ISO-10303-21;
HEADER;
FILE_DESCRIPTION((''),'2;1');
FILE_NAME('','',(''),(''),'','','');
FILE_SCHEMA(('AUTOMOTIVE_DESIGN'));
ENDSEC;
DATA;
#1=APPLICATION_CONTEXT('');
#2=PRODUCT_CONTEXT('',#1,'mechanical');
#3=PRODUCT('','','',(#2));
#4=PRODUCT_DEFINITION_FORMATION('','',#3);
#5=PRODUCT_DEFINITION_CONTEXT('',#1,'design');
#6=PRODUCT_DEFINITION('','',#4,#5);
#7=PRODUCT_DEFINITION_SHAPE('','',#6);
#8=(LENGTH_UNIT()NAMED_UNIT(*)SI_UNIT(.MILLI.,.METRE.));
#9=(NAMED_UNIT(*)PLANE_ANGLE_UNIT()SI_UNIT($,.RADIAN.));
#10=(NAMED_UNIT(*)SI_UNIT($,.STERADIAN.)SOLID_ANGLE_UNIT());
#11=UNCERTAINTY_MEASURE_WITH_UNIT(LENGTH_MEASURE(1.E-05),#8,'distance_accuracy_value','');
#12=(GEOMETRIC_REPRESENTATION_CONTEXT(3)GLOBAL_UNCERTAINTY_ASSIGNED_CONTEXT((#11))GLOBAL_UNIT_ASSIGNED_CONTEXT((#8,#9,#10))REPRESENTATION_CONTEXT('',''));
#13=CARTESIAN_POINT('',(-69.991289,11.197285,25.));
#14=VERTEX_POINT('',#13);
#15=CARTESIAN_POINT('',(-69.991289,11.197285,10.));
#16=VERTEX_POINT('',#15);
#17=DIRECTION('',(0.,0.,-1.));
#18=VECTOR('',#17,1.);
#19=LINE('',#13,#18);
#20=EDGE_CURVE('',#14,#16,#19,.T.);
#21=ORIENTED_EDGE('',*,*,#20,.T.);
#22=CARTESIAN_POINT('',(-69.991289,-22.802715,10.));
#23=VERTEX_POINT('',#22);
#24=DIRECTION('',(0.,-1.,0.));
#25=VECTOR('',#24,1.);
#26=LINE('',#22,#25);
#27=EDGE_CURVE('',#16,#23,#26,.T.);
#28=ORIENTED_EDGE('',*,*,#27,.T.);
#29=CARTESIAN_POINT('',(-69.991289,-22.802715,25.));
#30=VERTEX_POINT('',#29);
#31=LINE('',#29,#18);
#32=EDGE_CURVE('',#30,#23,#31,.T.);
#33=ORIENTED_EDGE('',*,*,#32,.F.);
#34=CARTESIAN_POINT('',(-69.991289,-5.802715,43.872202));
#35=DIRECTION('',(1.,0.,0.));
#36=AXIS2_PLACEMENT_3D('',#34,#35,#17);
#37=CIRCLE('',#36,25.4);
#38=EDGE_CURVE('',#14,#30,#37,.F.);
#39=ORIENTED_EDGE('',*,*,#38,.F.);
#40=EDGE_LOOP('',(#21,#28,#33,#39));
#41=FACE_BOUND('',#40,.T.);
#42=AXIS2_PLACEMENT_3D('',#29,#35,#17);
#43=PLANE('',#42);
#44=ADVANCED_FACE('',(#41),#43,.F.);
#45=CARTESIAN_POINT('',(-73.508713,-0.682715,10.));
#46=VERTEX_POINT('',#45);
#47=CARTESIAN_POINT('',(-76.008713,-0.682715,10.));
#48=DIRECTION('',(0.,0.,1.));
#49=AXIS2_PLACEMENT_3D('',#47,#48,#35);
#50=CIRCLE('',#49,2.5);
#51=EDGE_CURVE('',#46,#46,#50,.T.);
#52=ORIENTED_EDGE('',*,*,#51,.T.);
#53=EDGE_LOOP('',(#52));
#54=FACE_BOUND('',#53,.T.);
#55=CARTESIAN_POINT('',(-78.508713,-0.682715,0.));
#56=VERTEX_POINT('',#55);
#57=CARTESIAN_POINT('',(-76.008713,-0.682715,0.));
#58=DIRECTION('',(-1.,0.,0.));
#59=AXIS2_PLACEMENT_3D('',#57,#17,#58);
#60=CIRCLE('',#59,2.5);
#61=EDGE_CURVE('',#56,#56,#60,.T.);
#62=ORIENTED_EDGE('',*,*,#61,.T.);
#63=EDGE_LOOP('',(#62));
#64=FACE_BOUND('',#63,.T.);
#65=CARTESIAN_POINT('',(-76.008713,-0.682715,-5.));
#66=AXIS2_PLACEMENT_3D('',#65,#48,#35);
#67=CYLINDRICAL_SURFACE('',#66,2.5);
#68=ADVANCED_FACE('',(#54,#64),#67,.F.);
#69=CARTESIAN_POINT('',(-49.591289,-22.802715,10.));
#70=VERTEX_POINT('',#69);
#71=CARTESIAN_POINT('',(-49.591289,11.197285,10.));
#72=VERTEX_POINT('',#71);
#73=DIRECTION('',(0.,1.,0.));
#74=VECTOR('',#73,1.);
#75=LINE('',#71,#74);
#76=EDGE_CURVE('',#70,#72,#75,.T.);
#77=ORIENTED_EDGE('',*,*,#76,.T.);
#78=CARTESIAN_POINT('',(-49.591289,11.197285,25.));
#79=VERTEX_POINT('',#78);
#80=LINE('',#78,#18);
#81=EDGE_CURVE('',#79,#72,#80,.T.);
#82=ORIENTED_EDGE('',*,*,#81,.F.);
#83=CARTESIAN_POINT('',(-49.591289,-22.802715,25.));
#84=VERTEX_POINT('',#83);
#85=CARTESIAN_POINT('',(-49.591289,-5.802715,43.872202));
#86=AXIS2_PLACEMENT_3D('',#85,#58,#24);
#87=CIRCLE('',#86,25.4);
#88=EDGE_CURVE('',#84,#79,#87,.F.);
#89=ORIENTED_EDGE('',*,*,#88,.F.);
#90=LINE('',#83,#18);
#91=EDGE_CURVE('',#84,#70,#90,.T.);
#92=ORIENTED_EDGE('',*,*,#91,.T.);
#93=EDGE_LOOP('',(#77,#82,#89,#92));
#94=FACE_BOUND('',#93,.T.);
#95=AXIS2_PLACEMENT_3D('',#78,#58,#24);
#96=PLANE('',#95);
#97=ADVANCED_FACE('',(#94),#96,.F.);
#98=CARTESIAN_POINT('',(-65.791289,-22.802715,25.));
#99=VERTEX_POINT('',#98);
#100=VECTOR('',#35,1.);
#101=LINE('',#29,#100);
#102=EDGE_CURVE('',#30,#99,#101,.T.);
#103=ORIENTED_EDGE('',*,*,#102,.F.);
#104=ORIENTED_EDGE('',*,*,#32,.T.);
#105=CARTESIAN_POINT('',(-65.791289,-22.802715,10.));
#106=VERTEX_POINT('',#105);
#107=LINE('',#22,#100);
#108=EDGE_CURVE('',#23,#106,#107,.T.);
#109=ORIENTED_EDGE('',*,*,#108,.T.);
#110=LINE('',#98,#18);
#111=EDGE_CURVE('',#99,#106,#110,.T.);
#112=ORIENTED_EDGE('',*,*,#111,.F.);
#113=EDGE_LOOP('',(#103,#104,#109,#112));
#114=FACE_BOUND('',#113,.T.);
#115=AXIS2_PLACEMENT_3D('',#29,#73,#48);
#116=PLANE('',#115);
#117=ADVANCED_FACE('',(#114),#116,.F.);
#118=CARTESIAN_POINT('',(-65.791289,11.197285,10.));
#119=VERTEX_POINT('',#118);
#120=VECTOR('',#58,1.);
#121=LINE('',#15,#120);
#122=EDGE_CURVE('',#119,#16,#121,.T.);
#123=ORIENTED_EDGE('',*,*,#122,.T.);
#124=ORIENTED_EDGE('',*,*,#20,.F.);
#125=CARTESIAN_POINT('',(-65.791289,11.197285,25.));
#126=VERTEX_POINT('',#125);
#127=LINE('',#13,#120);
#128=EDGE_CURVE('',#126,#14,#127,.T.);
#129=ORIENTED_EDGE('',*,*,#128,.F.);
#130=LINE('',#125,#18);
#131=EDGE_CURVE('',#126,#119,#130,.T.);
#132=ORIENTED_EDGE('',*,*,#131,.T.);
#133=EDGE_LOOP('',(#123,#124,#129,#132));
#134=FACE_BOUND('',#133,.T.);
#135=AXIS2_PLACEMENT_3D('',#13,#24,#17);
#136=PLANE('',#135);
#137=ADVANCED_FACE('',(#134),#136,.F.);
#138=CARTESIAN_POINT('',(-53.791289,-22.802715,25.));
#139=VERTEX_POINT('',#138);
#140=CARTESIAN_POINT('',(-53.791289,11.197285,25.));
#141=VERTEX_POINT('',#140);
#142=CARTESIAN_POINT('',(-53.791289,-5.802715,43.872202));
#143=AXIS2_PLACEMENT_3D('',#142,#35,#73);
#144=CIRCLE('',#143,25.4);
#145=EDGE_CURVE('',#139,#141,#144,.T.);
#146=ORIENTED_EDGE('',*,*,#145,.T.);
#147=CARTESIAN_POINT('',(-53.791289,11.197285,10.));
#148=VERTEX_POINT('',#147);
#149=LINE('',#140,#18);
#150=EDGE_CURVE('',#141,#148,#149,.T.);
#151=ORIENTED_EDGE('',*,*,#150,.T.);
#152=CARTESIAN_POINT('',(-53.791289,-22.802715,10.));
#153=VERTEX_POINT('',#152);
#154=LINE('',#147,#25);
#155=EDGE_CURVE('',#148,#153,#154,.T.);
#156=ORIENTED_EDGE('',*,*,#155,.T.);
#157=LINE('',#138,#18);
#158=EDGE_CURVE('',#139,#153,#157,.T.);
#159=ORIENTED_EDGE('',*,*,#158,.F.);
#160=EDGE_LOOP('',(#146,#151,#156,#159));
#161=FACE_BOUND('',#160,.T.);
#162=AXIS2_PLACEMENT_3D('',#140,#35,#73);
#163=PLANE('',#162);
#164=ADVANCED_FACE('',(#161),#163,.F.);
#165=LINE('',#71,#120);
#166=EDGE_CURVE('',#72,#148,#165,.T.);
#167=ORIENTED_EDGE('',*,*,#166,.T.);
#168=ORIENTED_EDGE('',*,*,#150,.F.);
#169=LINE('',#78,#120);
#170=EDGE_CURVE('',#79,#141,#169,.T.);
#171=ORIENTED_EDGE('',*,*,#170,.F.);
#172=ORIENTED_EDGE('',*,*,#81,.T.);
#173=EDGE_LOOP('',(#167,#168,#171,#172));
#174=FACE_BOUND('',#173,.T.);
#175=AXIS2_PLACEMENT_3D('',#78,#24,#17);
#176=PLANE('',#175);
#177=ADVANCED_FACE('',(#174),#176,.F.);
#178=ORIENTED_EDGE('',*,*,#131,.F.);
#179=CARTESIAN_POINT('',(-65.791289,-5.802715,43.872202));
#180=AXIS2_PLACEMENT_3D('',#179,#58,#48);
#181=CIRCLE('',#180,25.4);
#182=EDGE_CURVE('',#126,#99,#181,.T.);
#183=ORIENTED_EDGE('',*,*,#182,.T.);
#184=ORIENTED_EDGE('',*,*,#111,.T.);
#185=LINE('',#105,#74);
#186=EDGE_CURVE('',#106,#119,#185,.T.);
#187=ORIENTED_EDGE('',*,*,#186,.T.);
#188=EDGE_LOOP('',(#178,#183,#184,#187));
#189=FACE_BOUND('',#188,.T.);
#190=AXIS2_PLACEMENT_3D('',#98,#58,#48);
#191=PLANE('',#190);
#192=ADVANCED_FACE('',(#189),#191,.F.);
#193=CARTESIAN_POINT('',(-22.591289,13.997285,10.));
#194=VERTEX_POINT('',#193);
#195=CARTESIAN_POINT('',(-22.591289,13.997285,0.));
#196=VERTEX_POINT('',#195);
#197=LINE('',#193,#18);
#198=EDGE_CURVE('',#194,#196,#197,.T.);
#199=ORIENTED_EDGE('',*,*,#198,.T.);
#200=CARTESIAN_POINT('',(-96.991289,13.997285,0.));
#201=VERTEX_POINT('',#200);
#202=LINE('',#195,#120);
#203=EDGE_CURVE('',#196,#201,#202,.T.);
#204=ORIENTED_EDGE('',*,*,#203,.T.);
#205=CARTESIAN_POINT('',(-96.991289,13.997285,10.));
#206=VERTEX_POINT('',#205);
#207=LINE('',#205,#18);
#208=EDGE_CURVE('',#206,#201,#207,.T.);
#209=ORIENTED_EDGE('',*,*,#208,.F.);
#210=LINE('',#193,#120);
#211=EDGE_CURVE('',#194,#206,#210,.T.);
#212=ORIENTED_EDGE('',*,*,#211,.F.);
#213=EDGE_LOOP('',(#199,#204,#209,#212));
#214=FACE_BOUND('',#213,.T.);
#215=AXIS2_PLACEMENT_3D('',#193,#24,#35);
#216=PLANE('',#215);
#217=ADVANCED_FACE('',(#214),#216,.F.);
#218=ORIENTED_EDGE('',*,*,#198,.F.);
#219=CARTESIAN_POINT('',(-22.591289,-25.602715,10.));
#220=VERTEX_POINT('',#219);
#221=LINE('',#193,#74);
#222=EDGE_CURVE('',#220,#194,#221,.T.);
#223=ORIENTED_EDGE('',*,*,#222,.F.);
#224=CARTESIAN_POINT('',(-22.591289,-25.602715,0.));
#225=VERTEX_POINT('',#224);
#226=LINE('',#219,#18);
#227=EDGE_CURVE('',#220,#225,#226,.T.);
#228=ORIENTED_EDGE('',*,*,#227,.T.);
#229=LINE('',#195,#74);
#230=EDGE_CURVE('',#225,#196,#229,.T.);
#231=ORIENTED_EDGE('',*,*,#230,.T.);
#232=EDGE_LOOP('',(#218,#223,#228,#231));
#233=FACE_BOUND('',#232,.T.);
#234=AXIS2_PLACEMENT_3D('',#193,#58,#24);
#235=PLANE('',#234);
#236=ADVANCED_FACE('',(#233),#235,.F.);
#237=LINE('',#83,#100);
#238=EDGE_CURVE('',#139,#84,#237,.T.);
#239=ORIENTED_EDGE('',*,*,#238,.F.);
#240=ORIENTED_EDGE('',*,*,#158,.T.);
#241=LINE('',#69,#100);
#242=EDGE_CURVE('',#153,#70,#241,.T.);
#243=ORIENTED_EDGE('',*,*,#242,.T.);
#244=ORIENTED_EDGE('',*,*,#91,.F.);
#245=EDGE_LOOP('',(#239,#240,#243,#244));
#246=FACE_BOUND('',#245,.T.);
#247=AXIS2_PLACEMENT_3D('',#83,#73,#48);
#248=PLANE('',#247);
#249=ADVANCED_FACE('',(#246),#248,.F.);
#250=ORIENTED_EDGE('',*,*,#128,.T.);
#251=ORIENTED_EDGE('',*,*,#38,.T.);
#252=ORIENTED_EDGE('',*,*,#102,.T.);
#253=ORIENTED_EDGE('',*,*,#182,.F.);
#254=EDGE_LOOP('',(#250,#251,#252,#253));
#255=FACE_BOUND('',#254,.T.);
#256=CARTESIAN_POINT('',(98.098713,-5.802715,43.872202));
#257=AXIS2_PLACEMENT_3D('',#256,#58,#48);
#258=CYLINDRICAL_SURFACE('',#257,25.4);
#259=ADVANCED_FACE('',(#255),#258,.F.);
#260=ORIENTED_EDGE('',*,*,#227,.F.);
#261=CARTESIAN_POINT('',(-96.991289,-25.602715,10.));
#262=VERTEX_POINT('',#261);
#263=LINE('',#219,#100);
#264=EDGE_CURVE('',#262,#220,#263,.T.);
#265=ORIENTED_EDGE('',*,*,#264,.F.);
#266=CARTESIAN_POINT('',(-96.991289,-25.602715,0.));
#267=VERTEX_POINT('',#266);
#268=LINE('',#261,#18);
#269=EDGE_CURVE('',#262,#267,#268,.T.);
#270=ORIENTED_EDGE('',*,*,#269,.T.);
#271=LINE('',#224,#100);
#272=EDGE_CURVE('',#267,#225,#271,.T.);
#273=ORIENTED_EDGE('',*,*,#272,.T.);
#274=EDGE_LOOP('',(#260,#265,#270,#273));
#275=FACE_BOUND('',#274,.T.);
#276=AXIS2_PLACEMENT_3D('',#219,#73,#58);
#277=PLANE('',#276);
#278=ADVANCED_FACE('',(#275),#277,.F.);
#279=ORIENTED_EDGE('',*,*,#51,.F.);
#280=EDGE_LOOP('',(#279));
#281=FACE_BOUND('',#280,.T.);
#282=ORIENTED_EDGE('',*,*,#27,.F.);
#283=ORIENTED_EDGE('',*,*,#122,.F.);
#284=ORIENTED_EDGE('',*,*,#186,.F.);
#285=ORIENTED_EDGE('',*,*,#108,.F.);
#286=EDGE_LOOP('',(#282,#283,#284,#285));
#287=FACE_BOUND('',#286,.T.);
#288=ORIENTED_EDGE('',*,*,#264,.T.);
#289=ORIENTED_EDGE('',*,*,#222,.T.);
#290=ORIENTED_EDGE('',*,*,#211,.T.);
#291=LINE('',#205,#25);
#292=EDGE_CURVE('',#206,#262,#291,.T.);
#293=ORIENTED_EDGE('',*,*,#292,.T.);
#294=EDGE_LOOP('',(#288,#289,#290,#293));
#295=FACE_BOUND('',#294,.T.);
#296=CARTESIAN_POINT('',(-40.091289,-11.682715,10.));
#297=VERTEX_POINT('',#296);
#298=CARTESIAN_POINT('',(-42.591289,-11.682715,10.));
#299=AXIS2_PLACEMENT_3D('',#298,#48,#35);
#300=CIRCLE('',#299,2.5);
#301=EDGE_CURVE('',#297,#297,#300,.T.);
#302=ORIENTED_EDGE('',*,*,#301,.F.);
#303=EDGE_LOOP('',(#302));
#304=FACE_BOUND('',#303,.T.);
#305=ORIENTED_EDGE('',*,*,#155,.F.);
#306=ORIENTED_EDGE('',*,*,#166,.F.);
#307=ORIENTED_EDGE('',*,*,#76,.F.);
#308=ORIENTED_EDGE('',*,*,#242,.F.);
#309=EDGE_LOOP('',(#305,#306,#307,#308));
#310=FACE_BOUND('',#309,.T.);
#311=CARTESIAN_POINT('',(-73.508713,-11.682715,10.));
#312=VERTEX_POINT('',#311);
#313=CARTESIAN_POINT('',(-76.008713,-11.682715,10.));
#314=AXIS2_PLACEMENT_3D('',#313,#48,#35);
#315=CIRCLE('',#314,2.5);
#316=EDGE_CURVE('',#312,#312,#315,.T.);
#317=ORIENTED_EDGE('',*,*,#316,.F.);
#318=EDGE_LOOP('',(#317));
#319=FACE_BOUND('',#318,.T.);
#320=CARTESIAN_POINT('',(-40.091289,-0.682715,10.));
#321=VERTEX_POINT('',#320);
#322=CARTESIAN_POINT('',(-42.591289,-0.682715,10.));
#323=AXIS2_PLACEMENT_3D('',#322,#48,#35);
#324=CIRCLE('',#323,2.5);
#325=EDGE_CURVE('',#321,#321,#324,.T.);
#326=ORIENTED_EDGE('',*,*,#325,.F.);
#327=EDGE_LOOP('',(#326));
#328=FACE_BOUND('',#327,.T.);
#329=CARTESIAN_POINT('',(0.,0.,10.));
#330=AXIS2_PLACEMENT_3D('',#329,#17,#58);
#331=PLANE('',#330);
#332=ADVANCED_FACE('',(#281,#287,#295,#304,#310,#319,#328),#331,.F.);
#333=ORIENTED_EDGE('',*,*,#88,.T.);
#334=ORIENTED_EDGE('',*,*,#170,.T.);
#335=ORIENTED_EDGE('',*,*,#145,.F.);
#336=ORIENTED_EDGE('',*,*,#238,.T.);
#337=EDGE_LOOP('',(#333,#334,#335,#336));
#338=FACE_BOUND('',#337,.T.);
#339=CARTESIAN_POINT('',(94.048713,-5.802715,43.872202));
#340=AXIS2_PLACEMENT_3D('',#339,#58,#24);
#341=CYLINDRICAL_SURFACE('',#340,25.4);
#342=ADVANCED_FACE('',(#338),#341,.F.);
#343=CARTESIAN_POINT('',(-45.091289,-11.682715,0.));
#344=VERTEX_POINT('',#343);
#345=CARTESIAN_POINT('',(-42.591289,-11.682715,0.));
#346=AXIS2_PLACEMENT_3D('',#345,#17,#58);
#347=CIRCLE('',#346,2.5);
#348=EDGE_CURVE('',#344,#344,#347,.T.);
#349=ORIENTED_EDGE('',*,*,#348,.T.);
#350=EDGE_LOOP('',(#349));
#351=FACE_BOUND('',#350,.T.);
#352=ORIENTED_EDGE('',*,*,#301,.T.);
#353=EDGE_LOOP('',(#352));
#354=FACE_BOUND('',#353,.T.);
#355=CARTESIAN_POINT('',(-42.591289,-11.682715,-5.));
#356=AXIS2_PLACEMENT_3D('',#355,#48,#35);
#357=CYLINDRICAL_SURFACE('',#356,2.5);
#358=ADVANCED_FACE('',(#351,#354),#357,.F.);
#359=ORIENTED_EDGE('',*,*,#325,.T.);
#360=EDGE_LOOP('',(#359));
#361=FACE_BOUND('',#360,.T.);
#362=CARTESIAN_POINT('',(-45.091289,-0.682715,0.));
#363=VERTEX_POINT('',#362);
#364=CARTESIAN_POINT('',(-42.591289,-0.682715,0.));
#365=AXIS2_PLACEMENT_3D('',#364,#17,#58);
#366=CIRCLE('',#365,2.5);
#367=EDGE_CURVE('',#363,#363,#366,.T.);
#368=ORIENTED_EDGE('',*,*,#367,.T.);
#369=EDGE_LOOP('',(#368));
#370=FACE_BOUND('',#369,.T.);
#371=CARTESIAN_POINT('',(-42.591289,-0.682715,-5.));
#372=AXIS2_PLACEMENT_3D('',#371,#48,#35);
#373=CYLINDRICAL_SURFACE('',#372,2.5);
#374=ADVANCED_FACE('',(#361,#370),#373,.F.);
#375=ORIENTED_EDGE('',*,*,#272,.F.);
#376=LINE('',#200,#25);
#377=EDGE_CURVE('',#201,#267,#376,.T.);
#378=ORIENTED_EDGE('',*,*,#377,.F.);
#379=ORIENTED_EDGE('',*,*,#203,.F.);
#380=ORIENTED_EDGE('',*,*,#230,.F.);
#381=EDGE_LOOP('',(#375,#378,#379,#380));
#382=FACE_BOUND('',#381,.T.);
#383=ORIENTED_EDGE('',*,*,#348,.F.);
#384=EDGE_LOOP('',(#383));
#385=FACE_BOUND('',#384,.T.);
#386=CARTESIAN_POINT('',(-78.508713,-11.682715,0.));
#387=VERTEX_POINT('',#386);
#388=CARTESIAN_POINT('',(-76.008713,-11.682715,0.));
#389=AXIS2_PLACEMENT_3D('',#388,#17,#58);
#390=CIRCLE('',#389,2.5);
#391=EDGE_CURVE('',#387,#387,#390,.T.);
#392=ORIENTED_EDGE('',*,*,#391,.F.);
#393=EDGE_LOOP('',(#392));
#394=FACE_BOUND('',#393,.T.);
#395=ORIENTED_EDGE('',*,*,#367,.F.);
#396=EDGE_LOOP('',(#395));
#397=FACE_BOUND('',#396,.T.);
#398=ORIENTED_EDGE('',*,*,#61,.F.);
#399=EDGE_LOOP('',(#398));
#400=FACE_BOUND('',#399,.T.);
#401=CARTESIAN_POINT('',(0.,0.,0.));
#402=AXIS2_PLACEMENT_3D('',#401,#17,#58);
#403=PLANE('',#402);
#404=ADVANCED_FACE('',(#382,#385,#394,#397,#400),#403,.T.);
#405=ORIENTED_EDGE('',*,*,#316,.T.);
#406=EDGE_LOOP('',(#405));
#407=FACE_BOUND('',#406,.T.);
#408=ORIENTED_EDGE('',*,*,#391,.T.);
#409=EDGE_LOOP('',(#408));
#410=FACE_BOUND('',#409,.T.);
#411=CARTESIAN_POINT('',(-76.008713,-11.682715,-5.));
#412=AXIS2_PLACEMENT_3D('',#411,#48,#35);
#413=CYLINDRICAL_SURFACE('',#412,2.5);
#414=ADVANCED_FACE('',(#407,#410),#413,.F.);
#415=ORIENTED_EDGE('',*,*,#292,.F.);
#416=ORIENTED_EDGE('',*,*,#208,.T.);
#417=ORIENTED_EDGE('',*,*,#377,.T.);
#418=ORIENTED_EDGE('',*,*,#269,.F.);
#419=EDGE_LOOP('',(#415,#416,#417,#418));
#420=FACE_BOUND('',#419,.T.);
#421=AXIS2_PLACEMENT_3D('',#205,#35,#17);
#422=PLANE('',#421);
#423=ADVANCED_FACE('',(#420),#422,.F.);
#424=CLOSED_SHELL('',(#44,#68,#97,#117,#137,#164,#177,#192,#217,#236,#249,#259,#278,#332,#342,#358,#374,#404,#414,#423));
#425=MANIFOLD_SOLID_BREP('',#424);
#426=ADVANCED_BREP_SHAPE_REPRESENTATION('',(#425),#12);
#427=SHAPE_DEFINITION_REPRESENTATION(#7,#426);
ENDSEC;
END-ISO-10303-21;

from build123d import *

# Parameters (mm, degrees)
SKETCH1_W                = 74.4
SKETCH1_H                = 39.6
BOSS_EXTRUDE4_DEPTH      = 10
SKETCH4_W                = 4.2
SKETCH4_H                = 34
BOSS_EXTRUDE7_DEPTH      = 15
CUT_EXTRUDE6_DEPTH       = 60.390731662
CUT_EXTRUDE6_DEPTH_BACK  = 8
CUT_EXTRUDE12_DEPTH      = 57.095802048
CUT_EXTRUDE12_DEPTH_BACK = 15
SKETCH7_R                = 2.5
CUT_EXTRUDE13_DEPTH      = 15


with BuildPart() as part:
    # Sketch1 → Boss-Extrude4 (new body)
    with BuildSketch(Plane.XY):
        with Locations((-59.791289062, -5.802714844)):
            Rectangle(SKETCH1_W, SKETCH1_H)
    extrude(amount=BOSS_EXTRUDE4_DEPTH)

    # Sketch4 → Boss-Extrude7 (add)
    with BuildSketch(Plane.XY.offset(10)):
        with Locations((-67.891289062, -5.802714844)):
            Rectangle(SKETCH4_W, SKETCH4_H)
        Polygon((-49.591289063, 11.197285156), (-53.791289062, 11.197285156), (-53.791289062, -22.802714844), (-49.591289063, -22.802714844), align=None)
    extrude(amount=BOSS_EXTRUDE7_DEPTH)

    # Sketch5 → Cut-Extrude6 (cut, two sides: drawn at the far end of the back side and taken through both)
    with BuildSketch(Plane(origin=(-49.591289063, 0, 0), x_dir=(0, 0, -1), z_dir=(1, 0, 0)).offset(-CUT_EXTRUDE6_DEPTH_BACK)):
        with BuildLine():
            Line((-91.244649925, 84.737426344), (-25, 11.197285156))
            ThreePointArc((-25, 11.197285156), (-18.472201779, -5.802714844), (-25, -22.802714844))
            Line((-25, -22.802714844), (-91.244649925, -96.342856031))
            Line((-91.244649925, -96.342856031), (-289.199250877, -96.342856031))
            Line((-289.199250877, -96.342856031), (-289.199250877, 84.737426344))
            Line((-289.199250877, 84.737426344), (-91.244649925, 84.737426344))
        make_face()
    extrude(amount=CUT_EXTRUDE6_DEPTH + CUT_EXTRUDE6_DEPTH_BACK, mode=Mode.SUBTRACT)

    # Sketch6 → Cut-Extrude12 (cut, two sides: drawn at the far end of the back side and taken through both)
    with BuildSketch(Plane(origin=(-65.791289062, 0, 0), x_dir=(0, 0, -1), z_dir=(1, 0, 0)).offset(-CUT_EXTRUDE12_DEPTH_BACK)):
        with BuildLine():
            Line((-91.244649925, -96.342856031), (-25, -22.802714844))
            ThreePointArc((-25, -22.802714844), (-18.472201779, -5.802714844), (-25, 11.197285156))
            Line((-25, 11.197285156), (-91.244649925, 84.737426344))
            Line((-91.244649925, 84.737426344), (-289.199250877, 84.737426344))
            Line((-289.199250877, 84.737426344), (-289.199250877, -96.342856031))
            Line((-289.199250877, -96.342856031), (-91.244649925, -96.342856031))
        make_face()
    extrude(amount=CUT_EXTRUDE12_DEPTH + CUT_EXTRUDE12_DEPTH_BACK, mode=Mode.SUBTRACT)

    # Sketch7 → Cut-Extrude13 (cut)
    with BuildSketch(Plane.XY.offset(10)):
        with Locations((-42.591289062, -11.682714844)):
            Circle(SKETCH7_R)
        with Locations((-42.591289062, -0.682714844)):
            Circle(SKETCH7_R)
        with Locations((-76.008712531, -0.682714844)):
            Circle(SKETCH7_R)
        with Locations((-76.008712531, -11.682714844)):
            Circle(SKETCH7_R)
    extrude(amount=-CUT_EXTRUDE13_DEPTH, mode=Mode.SUBTRACT)


solid = part.part
